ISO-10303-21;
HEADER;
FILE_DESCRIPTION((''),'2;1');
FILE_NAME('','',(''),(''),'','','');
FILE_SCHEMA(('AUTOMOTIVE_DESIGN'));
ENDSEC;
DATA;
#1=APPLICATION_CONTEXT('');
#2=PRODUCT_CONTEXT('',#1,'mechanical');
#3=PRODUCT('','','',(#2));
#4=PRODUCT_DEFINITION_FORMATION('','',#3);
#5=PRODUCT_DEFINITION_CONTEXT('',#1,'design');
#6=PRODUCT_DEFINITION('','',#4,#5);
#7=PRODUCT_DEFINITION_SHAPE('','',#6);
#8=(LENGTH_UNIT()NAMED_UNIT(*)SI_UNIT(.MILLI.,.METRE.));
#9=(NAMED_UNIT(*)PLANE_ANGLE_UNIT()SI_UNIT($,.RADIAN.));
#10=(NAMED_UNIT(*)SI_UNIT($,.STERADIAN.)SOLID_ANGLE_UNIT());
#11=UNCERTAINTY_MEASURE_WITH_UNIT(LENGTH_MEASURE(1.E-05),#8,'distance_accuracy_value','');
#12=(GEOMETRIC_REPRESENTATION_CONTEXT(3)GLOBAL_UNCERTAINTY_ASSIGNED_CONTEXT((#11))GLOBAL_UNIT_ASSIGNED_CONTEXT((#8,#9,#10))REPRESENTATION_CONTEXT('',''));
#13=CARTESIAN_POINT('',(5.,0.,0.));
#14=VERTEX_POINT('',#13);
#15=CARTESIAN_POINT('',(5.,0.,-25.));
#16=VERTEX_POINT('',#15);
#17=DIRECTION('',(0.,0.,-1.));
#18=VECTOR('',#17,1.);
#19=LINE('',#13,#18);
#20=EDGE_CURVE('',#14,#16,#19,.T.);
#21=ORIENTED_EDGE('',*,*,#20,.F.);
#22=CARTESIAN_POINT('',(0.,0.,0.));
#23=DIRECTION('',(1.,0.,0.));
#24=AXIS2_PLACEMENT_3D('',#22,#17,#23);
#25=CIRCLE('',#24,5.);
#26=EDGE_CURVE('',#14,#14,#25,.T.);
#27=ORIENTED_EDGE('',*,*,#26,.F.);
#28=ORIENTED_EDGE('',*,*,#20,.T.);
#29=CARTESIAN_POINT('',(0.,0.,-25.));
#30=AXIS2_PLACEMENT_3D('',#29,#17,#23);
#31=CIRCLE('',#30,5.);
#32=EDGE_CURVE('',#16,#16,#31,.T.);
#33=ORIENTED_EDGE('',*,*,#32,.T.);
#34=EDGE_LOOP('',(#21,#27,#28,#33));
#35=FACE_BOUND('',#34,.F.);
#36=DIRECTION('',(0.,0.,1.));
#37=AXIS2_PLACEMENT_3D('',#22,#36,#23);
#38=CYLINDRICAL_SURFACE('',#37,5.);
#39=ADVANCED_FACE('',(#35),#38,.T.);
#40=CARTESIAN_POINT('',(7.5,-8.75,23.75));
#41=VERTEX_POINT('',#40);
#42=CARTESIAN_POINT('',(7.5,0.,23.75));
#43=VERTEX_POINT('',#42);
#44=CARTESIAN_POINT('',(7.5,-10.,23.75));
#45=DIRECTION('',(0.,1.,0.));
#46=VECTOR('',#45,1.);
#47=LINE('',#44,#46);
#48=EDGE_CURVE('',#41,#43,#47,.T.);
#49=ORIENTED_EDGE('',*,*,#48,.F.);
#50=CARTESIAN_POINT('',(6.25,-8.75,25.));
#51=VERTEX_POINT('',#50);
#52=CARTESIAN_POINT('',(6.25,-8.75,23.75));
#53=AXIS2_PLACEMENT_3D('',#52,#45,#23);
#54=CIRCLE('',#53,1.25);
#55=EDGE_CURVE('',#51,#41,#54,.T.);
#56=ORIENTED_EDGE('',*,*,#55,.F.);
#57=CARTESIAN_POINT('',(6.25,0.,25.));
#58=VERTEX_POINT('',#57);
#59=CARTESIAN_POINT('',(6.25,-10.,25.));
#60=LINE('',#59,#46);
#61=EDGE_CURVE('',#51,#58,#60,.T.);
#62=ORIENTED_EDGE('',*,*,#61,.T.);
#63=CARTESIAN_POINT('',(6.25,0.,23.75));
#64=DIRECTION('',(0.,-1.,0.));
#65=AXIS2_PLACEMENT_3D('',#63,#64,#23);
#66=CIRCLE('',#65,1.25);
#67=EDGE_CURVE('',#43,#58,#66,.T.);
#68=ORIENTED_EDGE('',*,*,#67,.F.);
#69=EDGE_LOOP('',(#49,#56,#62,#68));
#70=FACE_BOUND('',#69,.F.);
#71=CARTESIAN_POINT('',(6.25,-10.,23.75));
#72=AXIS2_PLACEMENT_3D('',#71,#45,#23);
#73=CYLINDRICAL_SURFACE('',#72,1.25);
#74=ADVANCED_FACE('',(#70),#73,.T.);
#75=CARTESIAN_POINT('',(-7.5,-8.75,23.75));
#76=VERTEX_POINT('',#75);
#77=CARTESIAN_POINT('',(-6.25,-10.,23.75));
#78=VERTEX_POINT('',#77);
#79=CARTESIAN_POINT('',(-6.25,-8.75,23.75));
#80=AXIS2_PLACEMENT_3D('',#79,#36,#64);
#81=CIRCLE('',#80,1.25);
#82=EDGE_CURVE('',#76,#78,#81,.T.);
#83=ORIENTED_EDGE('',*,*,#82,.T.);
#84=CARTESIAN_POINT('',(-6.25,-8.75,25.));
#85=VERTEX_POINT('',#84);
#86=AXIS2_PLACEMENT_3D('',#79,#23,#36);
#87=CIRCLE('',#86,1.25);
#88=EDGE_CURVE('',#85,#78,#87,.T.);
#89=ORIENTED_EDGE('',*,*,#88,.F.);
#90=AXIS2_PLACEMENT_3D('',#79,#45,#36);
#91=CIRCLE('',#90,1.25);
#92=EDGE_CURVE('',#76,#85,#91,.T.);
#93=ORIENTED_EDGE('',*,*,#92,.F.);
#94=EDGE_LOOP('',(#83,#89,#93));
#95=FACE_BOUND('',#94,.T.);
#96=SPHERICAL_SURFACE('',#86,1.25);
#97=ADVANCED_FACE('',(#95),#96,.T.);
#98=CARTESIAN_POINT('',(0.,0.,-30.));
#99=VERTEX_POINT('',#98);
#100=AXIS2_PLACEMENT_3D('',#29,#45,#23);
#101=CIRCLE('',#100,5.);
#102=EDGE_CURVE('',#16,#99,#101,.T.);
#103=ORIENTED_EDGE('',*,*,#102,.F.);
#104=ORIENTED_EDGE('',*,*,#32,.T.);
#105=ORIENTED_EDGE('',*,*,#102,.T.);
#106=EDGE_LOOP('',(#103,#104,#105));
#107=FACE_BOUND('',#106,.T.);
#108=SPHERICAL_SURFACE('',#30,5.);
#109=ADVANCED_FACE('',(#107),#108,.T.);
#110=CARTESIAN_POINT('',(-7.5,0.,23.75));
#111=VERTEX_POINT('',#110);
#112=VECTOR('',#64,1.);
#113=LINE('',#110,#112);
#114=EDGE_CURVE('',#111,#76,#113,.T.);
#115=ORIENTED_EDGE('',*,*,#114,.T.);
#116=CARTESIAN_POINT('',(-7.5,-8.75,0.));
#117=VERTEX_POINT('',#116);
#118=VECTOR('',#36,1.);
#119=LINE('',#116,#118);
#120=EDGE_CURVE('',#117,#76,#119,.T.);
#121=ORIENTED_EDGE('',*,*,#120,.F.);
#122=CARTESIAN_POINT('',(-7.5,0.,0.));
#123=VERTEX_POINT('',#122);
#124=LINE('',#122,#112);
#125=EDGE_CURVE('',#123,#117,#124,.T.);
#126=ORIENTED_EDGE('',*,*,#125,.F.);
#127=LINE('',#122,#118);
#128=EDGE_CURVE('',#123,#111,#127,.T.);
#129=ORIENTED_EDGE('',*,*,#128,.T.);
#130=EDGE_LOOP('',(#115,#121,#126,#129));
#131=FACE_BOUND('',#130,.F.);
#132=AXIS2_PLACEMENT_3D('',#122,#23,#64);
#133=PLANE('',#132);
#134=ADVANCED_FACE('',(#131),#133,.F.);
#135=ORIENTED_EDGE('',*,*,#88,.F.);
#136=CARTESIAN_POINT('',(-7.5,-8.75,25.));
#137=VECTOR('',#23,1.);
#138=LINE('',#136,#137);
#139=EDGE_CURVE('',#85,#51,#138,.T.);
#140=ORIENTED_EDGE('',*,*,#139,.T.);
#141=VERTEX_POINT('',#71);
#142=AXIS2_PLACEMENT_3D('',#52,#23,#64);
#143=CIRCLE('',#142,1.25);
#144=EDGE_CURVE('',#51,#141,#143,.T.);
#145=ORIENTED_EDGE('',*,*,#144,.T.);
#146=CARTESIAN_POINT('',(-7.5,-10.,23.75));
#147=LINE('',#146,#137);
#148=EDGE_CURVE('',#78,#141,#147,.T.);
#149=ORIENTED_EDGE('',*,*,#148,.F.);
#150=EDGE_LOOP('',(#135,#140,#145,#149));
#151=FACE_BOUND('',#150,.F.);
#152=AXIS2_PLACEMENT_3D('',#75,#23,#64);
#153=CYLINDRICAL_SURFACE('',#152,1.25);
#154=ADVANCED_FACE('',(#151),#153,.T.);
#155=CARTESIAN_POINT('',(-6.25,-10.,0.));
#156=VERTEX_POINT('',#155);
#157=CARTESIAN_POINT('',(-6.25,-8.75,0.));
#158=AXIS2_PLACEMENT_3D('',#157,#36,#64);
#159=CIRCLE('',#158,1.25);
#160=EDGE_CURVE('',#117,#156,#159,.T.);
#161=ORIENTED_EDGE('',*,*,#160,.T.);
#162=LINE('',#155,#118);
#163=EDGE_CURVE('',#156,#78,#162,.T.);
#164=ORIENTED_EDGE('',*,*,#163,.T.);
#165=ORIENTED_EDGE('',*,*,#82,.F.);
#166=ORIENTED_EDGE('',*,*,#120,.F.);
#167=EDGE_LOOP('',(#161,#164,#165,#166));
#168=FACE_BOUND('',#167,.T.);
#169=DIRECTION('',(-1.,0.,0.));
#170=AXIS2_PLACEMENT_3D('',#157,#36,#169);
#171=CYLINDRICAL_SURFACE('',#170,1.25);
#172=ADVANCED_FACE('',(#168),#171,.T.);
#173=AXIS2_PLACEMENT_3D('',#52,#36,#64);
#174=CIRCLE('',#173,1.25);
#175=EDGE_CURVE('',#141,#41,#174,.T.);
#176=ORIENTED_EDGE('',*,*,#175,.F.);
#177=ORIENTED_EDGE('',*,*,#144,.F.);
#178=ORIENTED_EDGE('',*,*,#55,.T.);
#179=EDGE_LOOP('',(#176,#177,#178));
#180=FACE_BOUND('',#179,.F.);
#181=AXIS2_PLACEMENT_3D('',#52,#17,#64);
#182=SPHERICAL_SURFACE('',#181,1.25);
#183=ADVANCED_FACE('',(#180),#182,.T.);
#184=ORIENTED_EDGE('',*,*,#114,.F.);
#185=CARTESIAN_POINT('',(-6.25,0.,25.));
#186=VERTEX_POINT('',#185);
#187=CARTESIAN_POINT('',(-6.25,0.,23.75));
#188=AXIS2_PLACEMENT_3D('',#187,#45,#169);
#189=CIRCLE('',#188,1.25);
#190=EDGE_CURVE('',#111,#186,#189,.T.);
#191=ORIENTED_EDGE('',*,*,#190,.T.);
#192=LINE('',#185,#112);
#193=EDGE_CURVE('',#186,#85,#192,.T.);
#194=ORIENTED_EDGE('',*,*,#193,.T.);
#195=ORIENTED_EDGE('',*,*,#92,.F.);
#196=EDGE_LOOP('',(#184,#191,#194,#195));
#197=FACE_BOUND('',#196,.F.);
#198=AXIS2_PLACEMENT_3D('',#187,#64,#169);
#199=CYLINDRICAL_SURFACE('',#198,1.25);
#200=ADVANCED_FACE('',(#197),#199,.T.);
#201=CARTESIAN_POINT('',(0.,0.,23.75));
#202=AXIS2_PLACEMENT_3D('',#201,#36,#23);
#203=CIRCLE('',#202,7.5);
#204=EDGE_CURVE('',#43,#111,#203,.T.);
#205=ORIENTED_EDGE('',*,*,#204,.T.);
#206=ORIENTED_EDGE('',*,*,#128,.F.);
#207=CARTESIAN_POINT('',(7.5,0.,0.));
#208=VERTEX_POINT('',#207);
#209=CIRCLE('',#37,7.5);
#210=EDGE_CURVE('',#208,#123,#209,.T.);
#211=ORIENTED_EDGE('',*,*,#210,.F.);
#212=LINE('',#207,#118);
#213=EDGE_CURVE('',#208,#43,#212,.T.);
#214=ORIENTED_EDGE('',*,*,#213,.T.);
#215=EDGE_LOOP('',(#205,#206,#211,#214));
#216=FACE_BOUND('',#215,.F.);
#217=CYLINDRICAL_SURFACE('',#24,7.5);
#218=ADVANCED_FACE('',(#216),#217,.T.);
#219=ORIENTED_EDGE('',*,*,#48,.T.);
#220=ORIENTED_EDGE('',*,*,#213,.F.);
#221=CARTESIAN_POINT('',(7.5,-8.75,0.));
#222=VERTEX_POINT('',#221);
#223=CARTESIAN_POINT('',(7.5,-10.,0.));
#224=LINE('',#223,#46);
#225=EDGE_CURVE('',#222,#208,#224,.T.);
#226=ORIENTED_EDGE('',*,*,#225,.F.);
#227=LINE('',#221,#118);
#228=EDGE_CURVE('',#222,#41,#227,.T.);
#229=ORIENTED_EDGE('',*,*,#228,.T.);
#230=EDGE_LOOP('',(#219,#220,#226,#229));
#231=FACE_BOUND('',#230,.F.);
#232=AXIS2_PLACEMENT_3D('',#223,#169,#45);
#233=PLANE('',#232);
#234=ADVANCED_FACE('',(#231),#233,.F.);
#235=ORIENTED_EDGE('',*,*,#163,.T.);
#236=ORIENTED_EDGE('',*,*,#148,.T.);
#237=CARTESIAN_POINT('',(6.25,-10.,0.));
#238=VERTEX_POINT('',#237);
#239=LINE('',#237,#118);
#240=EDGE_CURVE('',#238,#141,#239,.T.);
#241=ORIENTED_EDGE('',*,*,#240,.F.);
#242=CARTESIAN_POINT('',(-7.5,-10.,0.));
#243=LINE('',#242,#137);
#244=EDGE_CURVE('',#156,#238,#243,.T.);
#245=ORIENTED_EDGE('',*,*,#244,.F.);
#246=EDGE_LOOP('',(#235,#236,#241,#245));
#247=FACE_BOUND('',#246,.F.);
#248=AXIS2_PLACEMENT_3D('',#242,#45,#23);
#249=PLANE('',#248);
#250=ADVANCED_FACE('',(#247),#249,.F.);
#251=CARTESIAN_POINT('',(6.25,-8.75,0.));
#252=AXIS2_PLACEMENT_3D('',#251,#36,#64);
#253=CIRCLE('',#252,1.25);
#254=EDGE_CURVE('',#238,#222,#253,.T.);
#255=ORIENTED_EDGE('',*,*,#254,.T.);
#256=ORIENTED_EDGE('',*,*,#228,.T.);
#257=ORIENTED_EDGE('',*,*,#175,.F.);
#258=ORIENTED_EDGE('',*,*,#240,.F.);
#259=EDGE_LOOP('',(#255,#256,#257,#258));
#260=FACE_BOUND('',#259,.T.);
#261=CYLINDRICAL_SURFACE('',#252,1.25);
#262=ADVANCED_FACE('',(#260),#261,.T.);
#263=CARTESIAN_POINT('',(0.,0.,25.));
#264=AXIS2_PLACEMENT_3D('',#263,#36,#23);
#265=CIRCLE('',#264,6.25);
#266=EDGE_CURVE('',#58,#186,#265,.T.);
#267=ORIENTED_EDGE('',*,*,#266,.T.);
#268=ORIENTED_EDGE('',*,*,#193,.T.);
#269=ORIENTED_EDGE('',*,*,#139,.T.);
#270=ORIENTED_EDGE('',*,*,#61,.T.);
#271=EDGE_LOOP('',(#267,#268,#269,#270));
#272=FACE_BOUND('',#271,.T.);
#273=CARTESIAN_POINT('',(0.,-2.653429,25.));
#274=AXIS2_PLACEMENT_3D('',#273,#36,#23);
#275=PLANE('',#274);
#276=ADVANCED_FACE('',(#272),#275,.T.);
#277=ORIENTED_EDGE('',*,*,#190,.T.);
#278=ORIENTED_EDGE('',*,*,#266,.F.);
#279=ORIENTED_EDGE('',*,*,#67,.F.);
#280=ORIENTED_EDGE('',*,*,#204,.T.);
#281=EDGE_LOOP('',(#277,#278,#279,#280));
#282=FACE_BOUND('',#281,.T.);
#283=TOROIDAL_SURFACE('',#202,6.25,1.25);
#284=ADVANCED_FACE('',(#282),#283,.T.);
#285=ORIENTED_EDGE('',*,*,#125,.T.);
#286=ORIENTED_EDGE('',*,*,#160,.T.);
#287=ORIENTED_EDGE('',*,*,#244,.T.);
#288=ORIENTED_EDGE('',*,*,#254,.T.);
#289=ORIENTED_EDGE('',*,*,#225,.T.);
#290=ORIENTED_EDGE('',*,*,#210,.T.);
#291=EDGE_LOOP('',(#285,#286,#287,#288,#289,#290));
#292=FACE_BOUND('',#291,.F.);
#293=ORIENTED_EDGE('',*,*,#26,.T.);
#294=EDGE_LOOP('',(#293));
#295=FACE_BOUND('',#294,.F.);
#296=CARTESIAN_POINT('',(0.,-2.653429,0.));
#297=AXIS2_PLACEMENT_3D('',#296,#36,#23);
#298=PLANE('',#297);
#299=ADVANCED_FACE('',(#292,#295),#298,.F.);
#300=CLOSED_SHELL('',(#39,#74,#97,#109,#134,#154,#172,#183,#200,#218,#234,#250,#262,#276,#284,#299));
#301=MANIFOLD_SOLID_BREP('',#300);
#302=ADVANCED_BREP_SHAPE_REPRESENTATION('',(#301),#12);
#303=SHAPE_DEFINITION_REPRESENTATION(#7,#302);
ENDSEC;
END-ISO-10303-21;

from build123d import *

# Parameters (mm, degrees)
F1_DEPTH = 25
F2_R     = 1.25
F3_R     = 5
F4_DEPTH = 30
F5_R     = 5


with BuildPart() as f1:
    # F0 (on Top) → F1 (new body)
    with BuildSketch(Plane.XY):
        with BuildLine():
            Line((-7.5, 0), (-7.5, -10))
            Line((-7.5, -10), (7.5, -10))
            Line((7.5, -10), (7.5, 0))
            ThreePointArc((7.5, 0), (0, 7.5), (-7.5, 0))
        make_face()
    extrude(amount=F1_DEPTH)

    # F2
    f2_edges = [f1.edges().sort_by_distance(p)[0] for p in [
        (7.5, -10, 12.5),
        (0, -10, 25),
        (7.5, -5, 25),
        (-7.5, -10, 12.5),
    ]]
    fillet(f2_edges, radius=F2_R)

    # F3 (on face) → F4 (join)
    with BuildSketch(Plane(origin=(0, 0, 0), x_dir=(1, 0, 0), z_dir=(0, 0, -1))):
        Circle(F3_R)
    extrude(amount=F4_DEPTH)

    # F5
    f5_edges = [f1.edges().sort_by_distance(p)[0] for p in [
        (-5, 0, -30),
    ]]
    fillet(f5_edges, radius=F5_R)


solid = f1.part
